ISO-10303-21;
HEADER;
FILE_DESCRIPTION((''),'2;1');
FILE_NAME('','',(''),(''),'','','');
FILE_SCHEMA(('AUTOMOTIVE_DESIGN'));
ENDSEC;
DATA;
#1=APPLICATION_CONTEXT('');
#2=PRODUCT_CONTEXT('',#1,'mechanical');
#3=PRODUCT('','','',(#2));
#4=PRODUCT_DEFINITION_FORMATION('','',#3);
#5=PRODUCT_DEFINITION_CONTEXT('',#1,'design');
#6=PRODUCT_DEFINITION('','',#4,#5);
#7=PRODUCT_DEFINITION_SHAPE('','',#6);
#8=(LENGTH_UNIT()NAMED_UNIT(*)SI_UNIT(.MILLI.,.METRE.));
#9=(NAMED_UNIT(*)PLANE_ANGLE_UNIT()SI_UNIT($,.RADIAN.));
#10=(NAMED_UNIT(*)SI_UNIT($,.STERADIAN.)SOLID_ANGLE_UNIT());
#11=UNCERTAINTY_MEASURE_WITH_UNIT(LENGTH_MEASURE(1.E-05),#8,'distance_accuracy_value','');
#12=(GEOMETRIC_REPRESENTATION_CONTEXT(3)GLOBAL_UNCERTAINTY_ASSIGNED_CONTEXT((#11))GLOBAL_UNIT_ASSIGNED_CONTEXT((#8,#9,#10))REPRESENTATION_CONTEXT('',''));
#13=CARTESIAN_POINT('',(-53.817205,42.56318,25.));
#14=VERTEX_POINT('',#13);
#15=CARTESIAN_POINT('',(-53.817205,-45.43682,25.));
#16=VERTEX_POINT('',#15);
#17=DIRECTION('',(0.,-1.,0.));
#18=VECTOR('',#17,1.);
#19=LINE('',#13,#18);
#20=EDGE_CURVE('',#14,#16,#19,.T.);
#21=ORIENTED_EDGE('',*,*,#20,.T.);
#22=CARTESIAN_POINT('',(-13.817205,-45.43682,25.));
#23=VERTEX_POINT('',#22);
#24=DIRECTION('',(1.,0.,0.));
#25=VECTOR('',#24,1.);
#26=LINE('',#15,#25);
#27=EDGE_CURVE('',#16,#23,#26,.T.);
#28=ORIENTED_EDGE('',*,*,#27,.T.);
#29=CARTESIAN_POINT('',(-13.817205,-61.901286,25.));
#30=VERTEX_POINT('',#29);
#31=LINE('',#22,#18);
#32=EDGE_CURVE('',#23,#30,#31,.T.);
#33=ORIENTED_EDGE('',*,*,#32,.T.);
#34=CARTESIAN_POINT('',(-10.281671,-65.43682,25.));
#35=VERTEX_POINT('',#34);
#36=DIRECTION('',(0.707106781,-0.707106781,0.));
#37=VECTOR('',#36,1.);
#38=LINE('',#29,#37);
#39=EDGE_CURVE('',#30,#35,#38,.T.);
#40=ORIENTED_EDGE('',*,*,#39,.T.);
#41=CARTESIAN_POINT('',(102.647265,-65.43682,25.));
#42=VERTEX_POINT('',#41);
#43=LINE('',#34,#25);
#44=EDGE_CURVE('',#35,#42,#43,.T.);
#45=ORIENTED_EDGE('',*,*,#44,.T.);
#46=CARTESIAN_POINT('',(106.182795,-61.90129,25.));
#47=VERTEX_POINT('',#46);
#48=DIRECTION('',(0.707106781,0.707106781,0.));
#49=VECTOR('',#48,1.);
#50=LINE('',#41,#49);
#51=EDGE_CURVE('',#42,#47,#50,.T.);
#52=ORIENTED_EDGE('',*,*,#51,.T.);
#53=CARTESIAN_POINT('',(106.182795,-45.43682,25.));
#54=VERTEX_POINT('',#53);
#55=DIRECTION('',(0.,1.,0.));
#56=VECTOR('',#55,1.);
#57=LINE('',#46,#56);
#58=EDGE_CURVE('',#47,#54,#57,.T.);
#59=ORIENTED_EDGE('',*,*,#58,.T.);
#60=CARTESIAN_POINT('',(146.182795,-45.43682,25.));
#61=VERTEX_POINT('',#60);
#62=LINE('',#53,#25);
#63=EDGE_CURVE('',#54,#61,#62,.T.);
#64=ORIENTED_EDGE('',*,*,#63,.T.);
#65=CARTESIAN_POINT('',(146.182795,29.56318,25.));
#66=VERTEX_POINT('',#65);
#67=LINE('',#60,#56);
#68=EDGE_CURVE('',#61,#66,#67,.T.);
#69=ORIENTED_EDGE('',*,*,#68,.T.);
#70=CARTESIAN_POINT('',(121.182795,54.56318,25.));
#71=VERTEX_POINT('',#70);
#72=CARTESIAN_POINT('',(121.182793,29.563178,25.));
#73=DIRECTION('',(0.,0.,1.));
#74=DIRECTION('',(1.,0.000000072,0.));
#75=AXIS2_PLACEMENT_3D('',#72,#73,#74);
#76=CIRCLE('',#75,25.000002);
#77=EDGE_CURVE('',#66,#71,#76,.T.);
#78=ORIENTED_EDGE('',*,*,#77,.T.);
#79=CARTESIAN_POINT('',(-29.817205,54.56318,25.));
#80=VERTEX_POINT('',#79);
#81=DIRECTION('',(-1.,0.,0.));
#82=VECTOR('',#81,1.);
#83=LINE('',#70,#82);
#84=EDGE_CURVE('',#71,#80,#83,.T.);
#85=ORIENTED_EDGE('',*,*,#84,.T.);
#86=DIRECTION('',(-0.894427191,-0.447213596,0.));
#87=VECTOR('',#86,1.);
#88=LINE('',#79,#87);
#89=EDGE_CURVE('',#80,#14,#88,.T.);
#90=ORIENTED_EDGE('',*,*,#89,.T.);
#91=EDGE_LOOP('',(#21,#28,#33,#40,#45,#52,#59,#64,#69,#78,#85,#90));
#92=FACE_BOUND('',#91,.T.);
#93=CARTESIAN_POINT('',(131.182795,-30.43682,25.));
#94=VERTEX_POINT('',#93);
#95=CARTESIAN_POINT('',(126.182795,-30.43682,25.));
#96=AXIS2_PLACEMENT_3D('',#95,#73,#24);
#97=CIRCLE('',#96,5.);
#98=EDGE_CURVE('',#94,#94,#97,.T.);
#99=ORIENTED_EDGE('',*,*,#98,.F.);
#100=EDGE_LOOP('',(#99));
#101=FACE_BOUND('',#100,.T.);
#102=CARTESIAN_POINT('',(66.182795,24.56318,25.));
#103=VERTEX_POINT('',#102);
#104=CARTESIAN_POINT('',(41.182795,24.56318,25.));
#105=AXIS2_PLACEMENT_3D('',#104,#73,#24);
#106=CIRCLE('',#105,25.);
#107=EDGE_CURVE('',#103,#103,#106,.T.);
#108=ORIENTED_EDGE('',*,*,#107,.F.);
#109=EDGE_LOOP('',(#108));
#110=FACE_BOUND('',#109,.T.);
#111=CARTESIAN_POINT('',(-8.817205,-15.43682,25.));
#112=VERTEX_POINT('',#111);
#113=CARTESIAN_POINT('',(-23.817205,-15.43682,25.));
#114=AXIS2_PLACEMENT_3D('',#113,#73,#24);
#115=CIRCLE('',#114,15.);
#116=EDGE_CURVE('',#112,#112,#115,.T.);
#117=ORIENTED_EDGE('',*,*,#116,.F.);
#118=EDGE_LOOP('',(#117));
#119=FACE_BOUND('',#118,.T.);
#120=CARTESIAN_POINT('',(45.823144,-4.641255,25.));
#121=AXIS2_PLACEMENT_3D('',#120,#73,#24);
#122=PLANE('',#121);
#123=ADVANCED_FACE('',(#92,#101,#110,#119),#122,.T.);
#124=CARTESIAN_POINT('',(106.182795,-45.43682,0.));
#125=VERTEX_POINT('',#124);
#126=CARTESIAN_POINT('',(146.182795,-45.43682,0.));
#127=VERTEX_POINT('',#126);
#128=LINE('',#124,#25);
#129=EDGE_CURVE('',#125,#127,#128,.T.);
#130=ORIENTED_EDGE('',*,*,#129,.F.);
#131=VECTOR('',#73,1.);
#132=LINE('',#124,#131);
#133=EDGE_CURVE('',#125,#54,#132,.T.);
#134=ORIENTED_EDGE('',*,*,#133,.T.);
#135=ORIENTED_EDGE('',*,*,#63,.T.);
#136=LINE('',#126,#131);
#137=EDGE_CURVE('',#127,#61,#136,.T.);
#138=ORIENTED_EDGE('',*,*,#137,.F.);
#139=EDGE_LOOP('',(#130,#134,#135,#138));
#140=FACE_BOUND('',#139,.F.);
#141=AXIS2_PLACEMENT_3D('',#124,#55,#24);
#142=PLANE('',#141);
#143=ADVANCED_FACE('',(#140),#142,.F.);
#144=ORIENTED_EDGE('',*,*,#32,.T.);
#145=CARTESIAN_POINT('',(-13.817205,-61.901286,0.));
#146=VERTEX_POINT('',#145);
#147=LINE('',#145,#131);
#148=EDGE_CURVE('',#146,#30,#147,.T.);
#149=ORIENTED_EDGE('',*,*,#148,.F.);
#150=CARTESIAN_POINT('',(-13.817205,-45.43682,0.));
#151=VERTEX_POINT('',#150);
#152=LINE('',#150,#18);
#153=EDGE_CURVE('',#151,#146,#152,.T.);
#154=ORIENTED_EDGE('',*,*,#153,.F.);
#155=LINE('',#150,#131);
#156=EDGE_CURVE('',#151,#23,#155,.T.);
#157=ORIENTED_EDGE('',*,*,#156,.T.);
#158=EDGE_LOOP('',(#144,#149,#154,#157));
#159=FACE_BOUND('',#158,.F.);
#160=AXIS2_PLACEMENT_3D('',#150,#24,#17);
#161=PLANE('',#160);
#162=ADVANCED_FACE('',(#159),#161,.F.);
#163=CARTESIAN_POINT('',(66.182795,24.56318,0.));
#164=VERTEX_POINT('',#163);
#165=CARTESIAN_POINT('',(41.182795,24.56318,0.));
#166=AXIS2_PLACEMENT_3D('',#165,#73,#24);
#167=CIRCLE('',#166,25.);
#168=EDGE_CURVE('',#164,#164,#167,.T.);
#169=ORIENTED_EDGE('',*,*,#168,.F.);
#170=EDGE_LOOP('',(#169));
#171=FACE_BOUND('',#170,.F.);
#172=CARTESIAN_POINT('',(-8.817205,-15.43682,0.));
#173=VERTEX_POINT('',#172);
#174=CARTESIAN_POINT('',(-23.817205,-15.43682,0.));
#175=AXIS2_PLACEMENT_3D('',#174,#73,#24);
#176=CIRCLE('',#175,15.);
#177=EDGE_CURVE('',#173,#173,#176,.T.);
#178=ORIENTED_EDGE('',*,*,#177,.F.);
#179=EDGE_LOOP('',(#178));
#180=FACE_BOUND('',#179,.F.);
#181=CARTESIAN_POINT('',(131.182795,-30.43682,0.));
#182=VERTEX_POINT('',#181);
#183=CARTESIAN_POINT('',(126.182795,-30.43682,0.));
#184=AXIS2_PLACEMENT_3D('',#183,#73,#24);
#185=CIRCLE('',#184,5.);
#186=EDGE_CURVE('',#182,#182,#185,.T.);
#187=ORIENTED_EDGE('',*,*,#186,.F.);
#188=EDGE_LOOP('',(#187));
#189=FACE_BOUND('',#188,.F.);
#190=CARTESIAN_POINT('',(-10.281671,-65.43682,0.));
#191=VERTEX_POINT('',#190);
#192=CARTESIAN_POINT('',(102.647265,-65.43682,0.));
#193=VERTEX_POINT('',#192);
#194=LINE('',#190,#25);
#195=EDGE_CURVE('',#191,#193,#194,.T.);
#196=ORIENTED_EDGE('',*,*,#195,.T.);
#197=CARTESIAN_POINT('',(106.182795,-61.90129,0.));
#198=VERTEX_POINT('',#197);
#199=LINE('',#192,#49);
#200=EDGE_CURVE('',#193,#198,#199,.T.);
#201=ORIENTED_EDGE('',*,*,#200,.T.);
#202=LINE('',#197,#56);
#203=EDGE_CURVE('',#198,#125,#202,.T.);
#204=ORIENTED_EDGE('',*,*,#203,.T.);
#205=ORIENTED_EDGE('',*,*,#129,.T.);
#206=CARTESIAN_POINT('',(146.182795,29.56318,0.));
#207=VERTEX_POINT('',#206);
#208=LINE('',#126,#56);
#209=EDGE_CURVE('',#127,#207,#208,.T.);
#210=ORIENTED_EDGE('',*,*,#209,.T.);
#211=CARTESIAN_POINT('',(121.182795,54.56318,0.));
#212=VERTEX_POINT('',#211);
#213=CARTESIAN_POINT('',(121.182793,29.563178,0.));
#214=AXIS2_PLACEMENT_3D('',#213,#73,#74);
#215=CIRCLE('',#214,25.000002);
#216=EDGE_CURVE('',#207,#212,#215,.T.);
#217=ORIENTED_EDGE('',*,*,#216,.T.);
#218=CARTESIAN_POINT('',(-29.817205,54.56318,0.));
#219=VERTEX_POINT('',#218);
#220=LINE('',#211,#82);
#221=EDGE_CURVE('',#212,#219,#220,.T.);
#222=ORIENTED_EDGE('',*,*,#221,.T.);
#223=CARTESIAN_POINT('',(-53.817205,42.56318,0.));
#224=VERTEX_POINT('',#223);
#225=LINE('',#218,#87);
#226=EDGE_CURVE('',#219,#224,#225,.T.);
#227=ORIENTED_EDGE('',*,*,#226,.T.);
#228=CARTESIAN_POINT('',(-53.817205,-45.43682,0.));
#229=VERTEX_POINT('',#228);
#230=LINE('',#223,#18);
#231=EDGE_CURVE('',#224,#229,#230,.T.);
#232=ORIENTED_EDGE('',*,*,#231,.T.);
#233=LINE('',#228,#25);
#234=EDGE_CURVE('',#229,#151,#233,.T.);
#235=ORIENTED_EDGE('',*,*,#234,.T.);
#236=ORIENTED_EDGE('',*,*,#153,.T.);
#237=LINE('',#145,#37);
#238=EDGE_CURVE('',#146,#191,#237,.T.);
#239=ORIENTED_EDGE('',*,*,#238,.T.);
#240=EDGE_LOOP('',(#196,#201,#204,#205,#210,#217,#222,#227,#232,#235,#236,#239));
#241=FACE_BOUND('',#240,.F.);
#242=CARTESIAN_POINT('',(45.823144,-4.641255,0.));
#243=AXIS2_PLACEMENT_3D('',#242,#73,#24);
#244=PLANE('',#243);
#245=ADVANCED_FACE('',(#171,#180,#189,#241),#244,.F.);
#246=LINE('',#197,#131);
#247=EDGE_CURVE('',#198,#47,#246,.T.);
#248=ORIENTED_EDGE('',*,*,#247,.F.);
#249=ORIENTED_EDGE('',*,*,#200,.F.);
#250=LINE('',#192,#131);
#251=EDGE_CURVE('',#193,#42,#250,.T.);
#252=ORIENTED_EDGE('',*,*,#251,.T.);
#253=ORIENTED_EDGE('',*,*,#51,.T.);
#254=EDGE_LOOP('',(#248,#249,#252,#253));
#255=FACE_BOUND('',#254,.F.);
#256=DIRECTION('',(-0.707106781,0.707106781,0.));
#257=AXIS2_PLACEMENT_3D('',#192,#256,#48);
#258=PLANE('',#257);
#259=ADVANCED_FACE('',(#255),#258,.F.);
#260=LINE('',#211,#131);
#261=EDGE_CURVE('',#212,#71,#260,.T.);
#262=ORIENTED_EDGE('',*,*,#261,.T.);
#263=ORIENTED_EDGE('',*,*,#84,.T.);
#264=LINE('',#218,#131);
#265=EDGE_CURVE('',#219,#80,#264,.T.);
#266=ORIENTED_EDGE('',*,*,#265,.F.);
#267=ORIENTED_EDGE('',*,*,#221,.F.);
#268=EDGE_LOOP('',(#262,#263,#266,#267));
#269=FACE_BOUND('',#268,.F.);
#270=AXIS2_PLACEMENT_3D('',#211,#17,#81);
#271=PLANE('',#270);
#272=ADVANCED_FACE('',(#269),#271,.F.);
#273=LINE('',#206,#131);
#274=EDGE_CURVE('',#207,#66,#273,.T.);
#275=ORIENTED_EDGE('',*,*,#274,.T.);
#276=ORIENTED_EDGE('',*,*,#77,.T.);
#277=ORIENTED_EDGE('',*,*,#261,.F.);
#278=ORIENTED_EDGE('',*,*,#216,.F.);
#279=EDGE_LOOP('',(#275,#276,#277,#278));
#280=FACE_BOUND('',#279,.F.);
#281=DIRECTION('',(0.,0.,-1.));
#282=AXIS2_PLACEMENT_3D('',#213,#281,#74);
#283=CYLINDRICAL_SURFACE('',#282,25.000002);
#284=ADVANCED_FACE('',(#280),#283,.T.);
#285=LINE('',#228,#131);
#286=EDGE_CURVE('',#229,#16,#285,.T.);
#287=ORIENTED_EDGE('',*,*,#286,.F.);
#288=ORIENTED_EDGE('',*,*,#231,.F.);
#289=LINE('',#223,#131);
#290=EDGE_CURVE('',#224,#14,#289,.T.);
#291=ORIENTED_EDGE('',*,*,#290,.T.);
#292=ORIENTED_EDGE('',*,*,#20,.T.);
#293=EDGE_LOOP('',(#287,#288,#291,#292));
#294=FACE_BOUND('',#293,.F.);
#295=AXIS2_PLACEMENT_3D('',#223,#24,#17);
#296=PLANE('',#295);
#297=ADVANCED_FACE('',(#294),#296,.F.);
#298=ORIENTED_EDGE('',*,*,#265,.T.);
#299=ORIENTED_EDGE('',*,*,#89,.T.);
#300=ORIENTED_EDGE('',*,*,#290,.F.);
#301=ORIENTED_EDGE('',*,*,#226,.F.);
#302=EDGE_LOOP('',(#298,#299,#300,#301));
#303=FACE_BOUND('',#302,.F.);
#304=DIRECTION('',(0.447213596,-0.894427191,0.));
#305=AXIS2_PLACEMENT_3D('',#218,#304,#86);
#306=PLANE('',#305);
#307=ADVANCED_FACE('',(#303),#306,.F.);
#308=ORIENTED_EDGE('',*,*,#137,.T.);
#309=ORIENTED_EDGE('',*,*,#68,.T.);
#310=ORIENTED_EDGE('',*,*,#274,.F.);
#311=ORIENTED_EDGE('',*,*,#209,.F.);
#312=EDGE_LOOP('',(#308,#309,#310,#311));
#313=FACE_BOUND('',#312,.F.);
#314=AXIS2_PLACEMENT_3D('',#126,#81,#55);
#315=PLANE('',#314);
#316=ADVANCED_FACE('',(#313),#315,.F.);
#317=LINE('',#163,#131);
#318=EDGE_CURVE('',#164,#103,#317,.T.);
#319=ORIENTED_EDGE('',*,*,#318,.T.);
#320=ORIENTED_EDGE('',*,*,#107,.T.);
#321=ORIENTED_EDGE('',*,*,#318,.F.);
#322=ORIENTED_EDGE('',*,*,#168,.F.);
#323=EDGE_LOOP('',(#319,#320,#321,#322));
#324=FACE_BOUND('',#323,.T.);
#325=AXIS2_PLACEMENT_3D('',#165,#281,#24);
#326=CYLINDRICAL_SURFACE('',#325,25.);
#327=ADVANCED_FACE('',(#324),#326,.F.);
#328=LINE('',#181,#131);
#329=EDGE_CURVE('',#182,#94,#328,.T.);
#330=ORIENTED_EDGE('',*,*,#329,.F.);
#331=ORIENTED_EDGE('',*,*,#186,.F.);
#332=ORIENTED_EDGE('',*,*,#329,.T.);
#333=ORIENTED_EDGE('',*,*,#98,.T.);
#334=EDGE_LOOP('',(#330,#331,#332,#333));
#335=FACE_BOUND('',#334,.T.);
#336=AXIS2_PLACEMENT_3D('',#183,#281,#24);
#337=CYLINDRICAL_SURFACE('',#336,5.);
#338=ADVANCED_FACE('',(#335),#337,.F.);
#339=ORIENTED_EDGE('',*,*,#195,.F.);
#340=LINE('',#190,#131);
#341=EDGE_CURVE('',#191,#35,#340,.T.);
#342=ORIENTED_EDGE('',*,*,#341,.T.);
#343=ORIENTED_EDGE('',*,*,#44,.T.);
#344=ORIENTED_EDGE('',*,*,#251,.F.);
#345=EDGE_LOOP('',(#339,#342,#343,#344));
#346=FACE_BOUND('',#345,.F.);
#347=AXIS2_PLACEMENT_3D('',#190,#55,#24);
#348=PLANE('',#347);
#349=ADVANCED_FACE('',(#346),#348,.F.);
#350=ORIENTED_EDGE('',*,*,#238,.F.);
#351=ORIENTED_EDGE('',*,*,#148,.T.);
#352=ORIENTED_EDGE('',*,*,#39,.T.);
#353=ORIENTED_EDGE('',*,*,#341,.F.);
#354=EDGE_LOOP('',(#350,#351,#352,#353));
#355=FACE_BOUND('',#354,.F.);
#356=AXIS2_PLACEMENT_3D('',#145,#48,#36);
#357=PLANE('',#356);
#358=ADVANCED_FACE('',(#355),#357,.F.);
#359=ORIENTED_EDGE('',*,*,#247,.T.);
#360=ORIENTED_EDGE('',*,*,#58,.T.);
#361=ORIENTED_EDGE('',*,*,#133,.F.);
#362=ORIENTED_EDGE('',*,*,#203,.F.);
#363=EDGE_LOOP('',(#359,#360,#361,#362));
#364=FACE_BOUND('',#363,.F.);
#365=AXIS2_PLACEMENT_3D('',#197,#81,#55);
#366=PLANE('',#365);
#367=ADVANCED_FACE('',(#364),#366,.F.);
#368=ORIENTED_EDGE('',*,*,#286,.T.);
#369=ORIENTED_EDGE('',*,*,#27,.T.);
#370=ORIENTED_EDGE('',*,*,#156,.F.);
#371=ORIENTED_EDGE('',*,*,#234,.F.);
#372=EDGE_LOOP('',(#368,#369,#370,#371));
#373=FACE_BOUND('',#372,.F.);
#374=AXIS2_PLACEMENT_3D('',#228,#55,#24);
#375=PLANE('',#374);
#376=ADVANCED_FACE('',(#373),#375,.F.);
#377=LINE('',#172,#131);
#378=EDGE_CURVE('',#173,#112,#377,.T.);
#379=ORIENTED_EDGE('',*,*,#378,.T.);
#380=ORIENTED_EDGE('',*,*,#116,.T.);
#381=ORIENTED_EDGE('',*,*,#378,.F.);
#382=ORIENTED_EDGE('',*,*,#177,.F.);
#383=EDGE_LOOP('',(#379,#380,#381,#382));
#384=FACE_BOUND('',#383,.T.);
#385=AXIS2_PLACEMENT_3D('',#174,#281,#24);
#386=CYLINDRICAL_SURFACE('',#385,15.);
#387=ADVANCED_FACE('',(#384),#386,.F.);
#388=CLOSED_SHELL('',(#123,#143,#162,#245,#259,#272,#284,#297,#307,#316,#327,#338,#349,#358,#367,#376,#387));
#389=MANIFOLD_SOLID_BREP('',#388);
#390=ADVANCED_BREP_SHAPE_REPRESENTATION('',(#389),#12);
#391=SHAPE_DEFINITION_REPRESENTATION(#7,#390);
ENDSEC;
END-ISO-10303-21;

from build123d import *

# Parameters (mm, degrees)
F0_R     = 15
F0_R_2   = 5
F0_R_3   = 25
F1_DEPTH = 25


with BuildPart() as f1:
    # F0 (on Top) → F1 (new body)
    with BuildSketch(Plane.XY):
        with BuildLine():
            Line((-29.817205, 54.56318), (-53.817205, 42.56318))
            Line((-53.817205, 42.56318), (-53.817205, -45.43682))
            Line((-53.817205, -45.43682), (-13.817205, -45.43682))
            Line((-13.817205, -45.43682), (-13.817205, -61.901286))
            Line((-13.817205, -61.901286), (-10.281671, -65.43682))
            Line((-10.281671, -65.43682), (102.647265, -65.43682))
            Line((102.647265, -65.43682), (106.182795, -61.90129))
            Line((106.182795, -61.90129), (106.182795, -45.43682))
            Line((106.182795, -45.43682), (146.182795, -45.43682))
            Line((146.182795, -45.43682), (146.182795, 29.56318))
            ThreePointArc((146.182795, 29.56318), (138.860464, 47.240849), (121.182795, 54.56318))
            Line((121.182795, 54.56318), (41.182795, 54.56318))
            Line((41.182795, 54.56318), (-29.817205, 54.56318))
        make_face()
        with Locations((-23.817205, -15.43682)):
            Circle(F0_R, mode=Mode.SUBTRACT)
        with Locations((126.182795, -30.43682)):
            Circle(F0_R_2, mode=Mode.SUBTRACT)
        with Locations((41.182795, 24.56318)):
            Circle(F0_R_3, mode=Mode.SUBTRACT)
    extrude(amount=F1_DEPTH)


solid = f1.part
